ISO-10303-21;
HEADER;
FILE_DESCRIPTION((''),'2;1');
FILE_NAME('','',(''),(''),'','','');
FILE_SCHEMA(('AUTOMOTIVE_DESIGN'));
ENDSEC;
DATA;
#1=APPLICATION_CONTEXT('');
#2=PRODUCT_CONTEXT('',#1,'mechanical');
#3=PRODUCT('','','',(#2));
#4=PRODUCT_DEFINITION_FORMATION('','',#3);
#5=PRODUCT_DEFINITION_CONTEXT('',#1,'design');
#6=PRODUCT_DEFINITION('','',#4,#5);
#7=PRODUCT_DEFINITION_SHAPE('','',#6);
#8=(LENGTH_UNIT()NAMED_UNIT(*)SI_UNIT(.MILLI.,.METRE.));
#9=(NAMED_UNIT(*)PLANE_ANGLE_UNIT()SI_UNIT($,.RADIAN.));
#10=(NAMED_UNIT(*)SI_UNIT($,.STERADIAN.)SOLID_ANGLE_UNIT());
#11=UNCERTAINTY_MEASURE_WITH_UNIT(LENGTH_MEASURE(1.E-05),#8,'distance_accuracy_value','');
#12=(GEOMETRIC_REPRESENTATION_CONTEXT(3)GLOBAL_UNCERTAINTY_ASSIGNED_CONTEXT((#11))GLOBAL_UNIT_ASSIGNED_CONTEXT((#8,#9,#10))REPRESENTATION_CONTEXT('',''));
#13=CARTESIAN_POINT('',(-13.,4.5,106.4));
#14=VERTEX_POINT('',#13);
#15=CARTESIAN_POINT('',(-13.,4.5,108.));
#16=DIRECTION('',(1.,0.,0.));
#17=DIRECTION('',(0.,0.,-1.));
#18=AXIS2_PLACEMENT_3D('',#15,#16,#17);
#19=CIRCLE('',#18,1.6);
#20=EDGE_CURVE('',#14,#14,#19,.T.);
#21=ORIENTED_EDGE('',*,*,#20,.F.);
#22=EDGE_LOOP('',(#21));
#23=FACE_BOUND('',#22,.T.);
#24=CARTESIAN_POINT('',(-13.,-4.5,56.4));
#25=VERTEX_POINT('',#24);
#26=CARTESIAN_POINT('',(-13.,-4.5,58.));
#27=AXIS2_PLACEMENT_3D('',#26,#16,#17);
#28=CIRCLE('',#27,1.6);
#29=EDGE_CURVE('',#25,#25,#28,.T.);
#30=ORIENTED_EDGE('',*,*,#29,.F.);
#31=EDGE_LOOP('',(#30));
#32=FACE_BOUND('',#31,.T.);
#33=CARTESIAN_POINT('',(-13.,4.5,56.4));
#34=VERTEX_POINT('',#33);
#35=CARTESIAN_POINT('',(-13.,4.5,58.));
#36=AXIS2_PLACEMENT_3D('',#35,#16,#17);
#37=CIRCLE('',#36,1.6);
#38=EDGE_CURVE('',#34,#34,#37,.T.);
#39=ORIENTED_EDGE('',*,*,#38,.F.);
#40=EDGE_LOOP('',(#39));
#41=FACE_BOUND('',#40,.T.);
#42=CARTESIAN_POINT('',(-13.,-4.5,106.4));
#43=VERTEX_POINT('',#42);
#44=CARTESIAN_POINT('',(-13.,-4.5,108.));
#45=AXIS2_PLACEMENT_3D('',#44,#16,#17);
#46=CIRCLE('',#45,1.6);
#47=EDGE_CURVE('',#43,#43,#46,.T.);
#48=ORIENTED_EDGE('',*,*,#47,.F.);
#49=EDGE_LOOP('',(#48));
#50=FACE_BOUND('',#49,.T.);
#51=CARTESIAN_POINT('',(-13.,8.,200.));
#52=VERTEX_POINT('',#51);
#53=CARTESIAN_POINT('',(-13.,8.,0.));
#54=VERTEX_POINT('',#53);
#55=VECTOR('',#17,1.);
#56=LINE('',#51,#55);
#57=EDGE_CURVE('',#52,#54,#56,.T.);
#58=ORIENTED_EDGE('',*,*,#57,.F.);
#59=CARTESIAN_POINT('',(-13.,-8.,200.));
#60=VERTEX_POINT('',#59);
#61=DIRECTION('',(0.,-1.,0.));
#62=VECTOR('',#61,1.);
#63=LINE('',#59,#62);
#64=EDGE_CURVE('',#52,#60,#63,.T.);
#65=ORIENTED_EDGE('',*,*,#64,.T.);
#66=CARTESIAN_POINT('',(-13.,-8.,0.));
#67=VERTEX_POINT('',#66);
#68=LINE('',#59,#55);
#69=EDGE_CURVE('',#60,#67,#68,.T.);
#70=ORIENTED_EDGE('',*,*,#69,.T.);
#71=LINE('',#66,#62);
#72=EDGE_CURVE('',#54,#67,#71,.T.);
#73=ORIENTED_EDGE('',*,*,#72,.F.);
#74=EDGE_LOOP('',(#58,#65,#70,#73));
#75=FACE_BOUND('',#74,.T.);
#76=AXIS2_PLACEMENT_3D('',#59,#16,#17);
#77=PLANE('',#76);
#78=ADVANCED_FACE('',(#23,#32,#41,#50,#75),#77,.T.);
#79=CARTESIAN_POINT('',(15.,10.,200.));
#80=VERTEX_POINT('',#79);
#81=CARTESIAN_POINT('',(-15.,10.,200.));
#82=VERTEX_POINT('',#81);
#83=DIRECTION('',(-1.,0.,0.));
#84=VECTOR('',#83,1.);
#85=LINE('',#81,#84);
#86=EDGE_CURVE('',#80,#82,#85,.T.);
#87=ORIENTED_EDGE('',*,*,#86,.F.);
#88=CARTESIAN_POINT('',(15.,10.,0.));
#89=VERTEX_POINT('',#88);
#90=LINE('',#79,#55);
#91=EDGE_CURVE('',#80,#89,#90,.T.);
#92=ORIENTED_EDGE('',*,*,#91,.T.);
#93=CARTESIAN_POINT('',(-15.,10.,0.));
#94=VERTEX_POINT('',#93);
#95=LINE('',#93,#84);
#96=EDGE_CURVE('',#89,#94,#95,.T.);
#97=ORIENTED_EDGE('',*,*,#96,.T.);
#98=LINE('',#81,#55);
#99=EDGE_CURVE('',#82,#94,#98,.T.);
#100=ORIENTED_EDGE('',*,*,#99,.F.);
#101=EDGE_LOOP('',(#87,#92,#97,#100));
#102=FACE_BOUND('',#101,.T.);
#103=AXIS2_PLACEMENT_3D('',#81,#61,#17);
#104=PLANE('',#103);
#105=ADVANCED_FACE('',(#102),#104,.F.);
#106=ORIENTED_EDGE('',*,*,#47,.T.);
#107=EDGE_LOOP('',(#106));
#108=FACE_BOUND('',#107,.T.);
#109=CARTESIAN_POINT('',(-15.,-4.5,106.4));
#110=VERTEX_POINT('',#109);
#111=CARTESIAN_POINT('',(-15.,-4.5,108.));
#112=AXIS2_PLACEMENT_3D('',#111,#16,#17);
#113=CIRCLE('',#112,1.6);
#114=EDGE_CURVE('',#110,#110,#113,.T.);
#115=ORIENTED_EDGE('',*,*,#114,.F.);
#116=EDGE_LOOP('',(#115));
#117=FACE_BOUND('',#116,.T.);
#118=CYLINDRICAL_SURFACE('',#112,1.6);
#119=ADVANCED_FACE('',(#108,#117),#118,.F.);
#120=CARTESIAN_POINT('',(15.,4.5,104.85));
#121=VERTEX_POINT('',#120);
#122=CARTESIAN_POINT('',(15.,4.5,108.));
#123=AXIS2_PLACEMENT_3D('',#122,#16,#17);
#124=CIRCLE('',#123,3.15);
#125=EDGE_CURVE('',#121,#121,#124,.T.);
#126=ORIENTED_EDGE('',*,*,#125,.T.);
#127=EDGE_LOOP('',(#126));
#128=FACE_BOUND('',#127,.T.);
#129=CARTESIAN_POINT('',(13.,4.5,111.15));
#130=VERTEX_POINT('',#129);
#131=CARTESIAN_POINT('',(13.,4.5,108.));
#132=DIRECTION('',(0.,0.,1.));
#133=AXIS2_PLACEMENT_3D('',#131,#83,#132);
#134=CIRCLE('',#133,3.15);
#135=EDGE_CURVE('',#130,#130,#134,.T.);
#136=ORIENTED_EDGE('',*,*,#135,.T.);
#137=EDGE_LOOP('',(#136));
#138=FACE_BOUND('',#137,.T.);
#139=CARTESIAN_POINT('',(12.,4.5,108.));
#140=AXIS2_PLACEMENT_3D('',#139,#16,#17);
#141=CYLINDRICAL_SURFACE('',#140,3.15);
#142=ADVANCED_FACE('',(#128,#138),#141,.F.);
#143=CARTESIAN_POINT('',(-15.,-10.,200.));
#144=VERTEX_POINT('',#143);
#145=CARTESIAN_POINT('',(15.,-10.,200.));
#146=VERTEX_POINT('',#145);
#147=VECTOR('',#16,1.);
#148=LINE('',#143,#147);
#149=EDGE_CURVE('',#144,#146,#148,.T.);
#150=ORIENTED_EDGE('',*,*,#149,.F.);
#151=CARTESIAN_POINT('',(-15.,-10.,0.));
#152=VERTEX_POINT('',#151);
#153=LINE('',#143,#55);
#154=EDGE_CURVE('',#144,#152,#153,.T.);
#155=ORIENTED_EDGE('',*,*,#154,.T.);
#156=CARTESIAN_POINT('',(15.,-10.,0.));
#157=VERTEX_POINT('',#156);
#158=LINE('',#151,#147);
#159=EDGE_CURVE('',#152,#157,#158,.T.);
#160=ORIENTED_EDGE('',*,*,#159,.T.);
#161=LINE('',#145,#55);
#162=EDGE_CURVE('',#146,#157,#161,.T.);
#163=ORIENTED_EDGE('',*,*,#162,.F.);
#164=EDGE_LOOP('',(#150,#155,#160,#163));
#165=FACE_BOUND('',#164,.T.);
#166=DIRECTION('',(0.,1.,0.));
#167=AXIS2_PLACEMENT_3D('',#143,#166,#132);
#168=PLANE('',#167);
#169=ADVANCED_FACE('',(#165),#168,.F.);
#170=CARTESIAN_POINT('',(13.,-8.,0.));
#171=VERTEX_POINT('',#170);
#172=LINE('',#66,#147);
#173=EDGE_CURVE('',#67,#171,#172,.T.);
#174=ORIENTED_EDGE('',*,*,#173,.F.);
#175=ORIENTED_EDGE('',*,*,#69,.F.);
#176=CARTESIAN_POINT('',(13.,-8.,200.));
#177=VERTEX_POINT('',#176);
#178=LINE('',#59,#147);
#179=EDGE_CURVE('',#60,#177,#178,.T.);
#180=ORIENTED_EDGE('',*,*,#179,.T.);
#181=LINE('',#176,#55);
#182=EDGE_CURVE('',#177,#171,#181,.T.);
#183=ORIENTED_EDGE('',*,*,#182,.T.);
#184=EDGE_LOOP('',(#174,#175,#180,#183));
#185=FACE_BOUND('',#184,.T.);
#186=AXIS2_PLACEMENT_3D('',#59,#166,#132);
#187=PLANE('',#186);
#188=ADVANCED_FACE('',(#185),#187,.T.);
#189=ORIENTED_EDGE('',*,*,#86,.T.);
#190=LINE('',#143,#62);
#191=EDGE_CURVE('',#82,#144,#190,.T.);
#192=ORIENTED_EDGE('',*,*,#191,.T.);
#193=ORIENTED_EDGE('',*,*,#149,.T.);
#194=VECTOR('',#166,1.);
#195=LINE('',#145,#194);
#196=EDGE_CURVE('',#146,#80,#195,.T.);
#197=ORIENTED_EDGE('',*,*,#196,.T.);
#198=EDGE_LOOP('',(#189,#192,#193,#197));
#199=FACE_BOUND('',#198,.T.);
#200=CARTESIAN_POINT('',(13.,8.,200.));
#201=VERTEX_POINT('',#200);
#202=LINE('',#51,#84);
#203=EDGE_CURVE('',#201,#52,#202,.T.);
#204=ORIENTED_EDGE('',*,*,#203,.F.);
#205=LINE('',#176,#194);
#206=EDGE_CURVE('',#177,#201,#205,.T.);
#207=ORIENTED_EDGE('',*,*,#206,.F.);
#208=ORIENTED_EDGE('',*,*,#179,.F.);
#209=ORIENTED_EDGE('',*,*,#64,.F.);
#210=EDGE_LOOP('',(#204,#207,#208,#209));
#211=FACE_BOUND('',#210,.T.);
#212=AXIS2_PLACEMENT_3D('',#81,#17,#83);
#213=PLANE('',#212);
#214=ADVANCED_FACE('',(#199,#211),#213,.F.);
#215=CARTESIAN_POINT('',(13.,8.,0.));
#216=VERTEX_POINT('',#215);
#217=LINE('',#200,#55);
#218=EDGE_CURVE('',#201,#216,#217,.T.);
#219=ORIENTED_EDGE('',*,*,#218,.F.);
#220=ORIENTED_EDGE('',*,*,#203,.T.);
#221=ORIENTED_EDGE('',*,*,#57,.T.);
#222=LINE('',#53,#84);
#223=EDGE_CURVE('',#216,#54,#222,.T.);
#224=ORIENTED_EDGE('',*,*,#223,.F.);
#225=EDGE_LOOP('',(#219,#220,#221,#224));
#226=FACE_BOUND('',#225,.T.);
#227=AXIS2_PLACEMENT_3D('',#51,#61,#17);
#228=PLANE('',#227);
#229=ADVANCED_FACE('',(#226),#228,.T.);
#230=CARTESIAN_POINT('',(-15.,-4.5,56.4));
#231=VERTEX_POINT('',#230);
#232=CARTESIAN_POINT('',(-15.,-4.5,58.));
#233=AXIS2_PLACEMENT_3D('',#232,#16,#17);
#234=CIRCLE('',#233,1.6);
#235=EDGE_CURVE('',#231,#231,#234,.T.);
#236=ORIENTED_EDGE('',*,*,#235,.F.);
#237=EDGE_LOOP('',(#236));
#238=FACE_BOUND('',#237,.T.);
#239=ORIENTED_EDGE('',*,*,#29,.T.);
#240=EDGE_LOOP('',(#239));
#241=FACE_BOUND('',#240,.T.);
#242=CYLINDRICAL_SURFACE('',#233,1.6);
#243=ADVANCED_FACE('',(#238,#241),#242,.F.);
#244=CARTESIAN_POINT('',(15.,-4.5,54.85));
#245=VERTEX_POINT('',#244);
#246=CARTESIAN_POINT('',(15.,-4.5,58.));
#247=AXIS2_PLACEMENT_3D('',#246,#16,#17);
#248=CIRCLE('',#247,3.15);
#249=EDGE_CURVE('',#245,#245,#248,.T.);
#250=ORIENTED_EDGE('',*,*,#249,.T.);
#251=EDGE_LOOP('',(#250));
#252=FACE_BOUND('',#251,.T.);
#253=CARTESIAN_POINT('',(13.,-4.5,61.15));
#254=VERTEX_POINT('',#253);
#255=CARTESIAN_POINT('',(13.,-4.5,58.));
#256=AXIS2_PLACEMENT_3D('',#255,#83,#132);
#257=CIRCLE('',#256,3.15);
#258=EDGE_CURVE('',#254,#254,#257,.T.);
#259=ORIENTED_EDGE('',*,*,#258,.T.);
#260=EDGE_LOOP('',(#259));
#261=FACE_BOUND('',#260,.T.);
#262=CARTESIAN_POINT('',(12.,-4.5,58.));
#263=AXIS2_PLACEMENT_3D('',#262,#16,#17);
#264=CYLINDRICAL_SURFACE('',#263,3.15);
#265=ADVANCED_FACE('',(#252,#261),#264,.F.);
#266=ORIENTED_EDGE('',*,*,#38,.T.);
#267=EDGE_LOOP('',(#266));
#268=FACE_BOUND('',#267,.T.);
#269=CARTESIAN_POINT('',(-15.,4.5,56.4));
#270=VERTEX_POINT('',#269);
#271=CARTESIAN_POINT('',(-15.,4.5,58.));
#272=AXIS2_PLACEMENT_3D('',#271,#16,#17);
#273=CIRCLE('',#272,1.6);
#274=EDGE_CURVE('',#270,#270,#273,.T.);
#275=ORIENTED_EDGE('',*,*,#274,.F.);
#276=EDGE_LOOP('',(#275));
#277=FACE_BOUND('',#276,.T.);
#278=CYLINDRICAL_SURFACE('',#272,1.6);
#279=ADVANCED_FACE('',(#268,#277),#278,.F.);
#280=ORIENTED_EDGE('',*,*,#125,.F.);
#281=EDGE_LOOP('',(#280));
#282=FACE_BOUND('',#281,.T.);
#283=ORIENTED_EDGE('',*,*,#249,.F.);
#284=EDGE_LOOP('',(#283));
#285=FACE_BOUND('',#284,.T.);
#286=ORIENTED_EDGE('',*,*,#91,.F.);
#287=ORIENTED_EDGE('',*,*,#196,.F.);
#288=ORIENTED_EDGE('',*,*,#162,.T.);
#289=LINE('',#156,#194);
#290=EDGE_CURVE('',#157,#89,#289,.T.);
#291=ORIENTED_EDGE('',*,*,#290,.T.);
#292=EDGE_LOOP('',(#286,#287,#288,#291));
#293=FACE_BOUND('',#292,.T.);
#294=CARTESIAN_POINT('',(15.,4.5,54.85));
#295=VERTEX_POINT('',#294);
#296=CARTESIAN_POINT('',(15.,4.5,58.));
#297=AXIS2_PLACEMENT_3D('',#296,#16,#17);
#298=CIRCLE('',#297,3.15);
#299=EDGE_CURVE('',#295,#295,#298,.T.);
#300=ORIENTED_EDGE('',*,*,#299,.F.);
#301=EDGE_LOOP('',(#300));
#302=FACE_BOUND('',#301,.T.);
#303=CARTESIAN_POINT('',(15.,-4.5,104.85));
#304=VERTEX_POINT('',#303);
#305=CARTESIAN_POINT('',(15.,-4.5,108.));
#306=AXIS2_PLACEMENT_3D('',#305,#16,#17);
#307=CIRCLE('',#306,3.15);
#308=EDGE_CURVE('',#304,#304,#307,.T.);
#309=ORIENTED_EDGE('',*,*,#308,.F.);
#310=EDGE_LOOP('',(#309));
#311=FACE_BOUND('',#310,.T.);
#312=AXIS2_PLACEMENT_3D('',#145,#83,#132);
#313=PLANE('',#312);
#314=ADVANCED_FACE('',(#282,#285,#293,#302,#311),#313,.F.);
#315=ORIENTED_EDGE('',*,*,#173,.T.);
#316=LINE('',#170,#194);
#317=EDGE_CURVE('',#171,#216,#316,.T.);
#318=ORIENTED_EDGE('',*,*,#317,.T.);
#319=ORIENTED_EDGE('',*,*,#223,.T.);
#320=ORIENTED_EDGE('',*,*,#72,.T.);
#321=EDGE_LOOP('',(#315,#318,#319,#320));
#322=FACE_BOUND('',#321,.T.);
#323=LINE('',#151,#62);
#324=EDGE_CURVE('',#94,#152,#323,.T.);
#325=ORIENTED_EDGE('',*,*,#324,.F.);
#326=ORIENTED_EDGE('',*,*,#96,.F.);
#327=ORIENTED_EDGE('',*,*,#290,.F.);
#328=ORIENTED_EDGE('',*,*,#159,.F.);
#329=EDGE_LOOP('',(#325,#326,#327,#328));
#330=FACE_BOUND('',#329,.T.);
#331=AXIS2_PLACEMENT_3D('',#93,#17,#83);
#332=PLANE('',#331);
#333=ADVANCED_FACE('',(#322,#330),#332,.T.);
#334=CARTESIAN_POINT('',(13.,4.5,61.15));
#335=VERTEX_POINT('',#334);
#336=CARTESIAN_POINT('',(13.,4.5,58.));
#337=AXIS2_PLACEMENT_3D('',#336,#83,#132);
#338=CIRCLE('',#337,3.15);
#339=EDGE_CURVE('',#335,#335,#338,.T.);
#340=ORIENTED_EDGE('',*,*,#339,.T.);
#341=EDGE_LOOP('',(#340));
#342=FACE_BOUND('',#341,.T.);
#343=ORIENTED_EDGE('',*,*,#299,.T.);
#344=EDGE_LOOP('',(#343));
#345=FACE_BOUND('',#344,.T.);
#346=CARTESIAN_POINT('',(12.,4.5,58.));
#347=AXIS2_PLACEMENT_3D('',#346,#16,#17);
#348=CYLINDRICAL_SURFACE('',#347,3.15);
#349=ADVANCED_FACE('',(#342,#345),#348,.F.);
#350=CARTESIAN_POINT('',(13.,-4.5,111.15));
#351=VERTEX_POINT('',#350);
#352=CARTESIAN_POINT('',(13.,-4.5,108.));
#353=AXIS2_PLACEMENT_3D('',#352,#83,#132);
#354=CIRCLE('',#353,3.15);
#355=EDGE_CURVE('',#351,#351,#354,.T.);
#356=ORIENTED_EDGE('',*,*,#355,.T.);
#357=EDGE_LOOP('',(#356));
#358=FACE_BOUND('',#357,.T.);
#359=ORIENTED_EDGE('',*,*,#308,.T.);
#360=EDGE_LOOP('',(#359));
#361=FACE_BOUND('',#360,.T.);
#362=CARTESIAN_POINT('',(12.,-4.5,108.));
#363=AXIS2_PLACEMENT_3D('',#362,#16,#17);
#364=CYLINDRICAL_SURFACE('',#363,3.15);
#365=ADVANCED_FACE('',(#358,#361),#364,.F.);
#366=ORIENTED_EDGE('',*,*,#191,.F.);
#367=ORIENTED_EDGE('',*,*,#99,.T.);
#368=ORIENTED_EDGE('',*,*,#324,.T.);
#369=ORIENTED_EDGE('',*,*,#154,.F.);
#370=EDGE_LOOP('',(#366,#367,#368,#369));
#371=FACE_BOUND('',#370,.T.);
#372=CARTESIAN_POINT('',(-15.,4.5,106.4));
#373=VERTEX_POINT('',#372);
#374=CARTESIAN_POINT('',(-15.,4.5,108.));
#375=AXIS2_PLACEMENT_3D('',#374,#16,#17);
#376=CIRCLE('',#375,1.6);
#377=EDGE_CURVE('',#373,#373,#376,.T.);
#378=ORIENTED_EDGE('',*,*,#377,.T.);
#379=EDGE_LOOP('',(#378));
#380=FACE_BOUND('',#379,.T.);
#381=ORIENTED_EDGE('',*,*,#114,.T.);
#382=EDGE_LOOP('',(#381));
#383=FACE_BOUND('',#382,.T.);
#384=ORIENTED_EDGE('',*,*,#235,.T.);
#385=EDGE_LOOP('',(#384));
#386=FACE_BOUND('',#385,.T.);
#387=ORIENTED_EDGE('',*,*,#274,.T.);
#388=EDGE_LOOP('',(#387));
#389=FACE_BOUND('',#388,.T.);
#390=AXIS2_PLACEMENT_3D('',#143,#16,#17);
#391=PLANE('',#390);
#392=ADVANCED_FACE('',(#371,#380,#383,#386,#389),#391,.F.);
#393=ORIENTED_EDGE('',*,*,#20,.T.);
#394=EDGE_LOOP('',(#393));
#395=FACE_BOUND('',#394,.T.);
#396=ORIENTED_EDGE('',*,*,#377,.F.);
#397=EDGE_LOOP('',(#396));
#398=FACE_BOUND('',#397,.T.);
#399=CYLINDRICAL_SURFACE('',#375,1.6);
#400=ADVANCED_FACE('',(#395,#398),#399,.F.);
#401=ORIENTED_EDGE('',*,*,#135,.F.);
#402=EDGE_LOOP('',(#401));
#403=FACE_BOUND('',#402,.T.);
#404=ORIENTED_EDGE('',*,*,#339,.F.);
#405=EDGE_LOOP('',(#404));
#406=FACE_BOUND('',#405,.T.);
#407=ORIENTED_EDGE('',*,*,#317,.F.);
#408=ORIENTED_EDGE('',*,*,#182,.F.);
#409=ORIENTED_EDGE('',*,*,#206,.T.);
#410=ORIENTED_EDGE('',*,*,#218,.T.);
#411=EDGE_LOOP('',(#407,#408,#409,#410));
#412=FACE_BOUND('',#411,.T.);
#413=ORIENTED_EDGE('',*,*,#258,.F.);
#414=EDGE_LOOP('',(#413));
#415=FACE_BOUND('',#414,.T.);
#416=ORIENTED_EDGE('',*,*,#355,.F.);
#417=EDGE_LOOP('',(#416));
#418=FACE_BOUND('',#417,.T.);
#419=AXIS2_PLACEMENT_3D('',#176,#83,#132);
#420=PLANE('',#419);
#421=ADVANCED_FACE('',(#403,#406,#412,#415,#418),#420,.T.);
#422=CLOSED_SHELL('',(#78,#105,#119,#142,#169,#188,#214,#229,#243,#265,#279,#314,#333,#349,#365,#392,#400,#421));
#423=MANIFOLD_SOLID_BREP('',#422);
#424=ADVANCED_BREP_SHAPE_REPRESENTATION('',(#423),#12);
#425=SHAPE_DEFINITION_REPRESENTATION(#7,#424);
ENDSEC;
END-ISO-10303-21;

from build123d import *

# Parameters (mm, degrees)
SKETCH_1_W          = 30
SKETCH_1_H          = 20
SKETCH_1_W_2        = 26
SKETCH_1_H_2        = 16
EXTRUDE_1_DEPTH     = 200
SKETCH_2_R          = 1.6
CUT_EXTRUDE_1_DEPTH = 203.484567313
SKETCH_2_3_R        = 3.15
SKETCH_2_3_R_2      = 1.6
CUT_EXTRUDE_2_DEPTH = 3


with BuildPart() as part:
    # Эскиз1 → Бобышка-Вытянуть1 (new body)
    with BuildSketch(Plane.XY):
        Rectangle(SKETCH_1_W, SKETCH_1_H)
        Rectangle(SKETCH_1_W_2, SKETCH_1_H_2, mode=Mode.SUBTRACT)
    extrude(amount=EXTRUDE_1_DEPTH)

    # Эскиз2 → Вырез-Вытянуть1 (cut, through all)
    with BuildSketch(Plane(origin=(15, 0, 0), x_dir=(0, 0, -1), z_dir=(1, 0, 0))):
        with Locations((-108, 4.5)):
            Circle(SKETCH_2_R)
        with Locations((-108, -4.5)):
            Circle(SKETCH_2_R)
        with Locations((-58, -4.5)):
            Circle(SKETCH_2_R)
        with Locations((-58, 4.5)):
            Circle(SKETCH_2_R)
    extrude(amount=-CUT_EXTRUDE_1_DEPTH, mode=Mode.SUBTRACT)

    # Эскиз2<3> → Вырез-Вытянуть2 (cut)
    # profile 1 of 4: a face of its own
    with BuildSketch(Plane(origin=(15, 0, 0), x_dir=(0, 0, -1), z_dir=(1, 0, 0))):
        with Locations((-108, -4.5)):
            Circle(SKETCH_2_3_R)
        with Locations((-108, -4.5)):
            Circle(SKETCH_2_3_R_2, mode=Mode.SUBTRACT)
    # profile 2 of 4: a face of its own
    with BuildSketch(Plane(origin=(15, 0, 0), x_dir=(0, 0, -1), z_dir=(1, 0, 0))):
        with Locations((-108, 4.5)):
            Circle(SKETCH_2_3_R)
        with Locations((-108, 4.5)):
            Circle(SKETCH_2_3_R_2, mode=Mode.SUBTRACT)
    # profile 3 of 4: a face of its own
    with BuildSketch(Plane(origin=(15, 0, 0), x_dir=(0, 0, -1), z_dir=(1, 0, 0))):
        with Locations((-58, -4.5)):
            Circle(SKETCH_2_3_R)
        with Locations((-58, -4.5)):
            Circle(SKETCH_2_3_R_2, mode=Mode.SUBTRACT)
    # profile 4 of 4: a face of its own
    with BuildSketch(Plane(origin=(15, 0, 0), x_dir=(0, 0, -1), z_dir=(1, 0, 0))):
        with Locations((-58, 4.5)):
            Circle(SKETCH_2_3_R)
        with Locations((-58, 4.5)):
            Circle(SKETCH_2_3_R_2, mode=Mode.SUBTRACT)
    extrude(amount=-CUT_EXTRUDE_2_DEPTH, mode=Mode.SUBTRACT)


solid = part.part
